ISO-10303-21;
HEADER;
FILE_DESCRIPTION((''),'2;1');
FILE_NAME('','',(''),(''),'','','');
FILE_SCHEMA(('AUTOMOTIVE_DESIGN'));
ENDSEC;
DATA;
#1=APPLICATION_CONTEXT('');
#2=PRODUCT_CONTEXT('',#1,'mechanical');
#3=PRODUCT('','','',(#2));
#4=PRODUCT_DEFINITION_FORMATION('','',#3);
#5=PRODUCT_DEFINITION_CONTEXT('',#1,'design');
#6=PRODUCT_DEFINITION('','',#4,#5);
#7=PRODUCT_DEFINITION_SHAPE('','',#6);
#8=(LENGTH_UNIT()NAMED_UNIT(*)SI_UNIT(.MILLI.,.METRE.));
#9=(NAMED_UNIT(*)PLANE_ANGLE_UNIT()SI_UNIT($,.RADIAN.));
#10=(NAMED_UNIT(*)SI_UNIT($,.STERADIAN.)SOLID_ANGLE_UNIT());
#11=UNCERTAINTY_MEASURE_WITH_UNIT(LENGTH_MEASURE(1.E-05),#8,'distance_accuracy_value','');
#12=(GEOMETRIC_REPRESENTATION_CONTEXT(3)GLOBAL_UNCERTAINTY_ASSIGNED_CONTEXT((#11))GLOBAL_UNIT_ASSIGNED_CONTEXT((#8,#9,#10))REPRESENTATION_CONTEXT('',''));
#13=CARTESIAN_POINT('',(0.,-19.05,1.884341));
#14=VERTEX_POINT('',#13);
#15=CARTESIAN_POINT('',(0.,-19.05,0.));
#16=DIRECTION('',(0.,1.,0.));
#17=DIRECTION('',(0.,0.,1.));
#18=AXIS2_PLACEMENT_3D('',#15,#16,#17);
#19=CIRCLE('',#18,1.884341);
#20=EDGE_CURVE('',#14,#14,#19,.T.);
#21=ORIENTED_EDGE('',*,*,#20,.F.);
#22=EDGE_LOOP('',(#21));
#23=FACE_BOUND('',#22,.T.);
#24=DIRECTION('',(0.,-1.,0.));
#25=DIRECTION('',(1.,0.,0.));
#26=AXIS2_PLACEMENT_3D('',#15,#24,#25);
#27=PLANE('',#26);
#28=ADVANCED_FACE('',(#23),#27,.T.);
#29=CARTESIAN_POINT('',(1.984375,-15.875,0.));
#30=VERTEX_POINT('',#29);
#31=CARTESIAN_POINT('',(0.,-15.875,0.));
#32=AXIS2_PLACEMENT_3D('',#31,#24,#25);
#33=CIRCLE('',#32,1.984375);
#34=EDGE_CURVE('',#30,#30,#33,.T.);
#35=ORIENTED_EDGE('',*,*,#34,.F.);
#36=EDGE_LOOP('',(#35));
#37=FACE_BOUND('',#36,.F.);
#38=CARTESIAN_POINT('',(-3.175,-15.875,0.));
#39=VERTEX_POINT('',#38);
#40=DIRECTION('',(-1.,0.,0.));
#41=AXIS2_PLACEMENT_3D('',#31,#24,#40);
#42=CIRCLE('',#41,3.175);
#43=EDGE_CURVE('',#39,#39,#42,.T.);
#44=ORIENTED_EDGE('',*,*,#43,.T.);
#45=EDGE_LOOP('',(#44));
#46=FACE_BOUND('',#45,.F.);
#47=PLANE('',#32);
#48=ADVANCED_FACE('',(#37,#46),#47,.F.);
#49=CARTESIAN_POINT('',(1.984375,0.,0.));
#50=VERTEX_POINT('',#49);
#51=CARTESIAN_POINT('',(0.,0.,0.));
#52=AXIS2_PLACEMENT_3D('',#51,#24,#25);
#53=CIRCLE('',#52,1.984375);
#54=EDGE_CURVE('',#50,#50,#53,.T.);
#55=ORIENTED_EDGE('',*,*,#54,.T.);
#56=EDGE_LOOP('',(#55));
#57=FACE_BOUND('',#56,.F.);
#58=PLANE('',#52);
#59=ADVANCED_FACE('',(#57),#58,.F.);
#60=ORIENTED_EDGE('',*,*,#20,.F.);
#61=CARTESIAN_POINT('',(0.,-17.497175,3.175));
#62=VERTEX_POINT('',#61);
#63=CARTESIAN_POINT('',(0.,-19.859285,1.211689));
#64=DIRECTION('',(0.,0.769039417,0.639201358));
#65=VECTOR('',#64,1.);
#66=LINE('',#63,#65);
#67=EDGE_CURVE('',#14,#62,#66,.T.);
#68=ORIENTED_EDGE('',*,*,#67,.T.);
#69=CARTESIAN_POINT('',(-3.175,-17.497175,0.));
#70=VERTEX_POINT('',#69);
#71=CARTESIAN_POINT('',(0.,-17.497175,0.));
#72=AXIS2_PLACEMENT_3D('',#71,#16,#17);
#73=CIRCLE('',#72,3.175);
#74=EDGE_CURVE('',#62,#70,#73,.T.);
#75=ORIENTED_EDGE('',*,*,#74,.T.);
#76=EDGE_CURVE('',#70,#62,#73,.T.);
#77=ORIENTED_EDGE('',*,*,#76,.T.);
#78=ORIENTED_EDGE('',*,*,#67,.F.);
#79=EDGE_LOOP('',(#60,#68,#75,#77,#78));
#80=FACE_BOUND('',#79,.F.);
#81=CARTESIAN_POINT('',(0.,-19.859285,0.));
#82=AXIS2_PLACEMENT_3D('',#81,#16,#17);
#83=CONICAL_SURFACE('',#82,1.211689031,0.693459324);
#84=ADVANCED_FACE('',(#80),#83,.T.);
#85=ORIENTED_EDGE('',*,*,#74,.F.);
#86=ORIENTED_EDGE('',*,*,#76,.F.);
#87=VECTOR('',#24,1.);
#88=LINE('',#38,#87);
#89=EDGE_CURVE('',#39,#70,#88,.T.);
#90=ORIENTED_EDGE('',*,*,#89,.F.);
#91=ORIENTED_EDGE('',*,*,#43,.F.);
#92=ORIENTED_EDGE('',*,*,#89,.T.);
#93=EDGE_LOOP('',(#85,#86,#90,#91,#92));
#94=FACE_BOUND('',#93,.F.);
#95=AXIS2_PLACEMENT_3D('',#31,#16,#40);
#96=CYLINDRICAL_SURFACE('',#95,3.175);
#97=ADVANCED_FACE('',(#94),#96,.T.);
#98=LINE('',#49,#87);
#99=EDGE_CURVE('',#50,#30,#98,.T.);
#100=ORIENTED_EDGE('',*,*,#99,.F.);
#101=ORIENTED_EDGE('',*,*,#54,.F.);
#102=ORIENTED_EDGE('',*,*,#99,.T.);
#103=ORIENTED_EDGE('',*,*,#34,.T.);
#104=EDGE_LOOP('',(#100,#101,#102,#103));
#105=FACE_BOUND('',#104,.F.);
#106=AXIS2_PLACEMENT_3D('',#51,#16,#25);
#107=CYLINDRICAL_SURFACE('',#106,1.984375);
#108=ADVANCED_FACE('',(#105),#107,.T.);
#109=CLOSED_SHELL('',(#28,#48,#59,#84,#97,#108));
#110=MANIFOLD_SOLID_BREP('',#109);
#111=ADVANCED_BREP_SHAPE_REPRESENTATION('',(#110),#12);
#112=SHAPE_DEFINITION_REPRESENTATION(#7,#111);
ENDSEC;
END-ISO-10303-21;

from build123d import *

# Parameters (mm, degrees)
F1_DEPTH = 15.875
F3_DEPTH = 3.175


with BuildPart() as f1:
    # F0 (on Front) → F1 (new body)
    with BuildSketch(Plane.XZ):
        with BuildLine():
            ThreePointArc((-1.984375, 0), (0, -1.984375), (1.984375, 0))
            ThreePointArc((1.984375, 0), (0, 1.984375), (-1.984375, 0))
        make_face()
    extrude(amount=F1_DEPTH)

    # F2 (on face) → F3 (join)
    with BuildSketch(Plane.XZ.offset(15.875)):
        with BuildLine():
            ThreePointArc((3.175, 0), (0, 3.175), (-3.175, 0))
            ThreePointArc((-3.175, 0), (0, -3.175), (3.175, 0))
        make_face()
        with BuildLine():
            ThreePointArc((1.984375, 0), (0, -1.984375), (-1.984375, 0))
            ThreePointArc((-1.984375, 0), (0, 1.984375), (1.984375, 0))
        make_face(mode=Mode.SUBTRACT)
        with BuildLine():
            ThreePointArc((1.984375, 0), (0, 1.984375), (-1.984375, 0))
            ThreePointArc((-1.984375, 0), (0, -1.984375), (1.984375, 0))
        make_face()
    extrude(amount=F3_DEPTH)

    # F4 (on Right) → F5 (revolve, cut)
    with BuildSketch(Plane.YZ):
        Polygon((-19.8592845504, 1.2116890307), (-16.6845522668, 3.8504265809), (-19.8592845504, 3.8091964072), align=None)
    revolve(axis=Axis((0, -12.0745478198, 0), (0, -1, 0)), mode=Mode.SUBTRACT)


solid = f1.part
